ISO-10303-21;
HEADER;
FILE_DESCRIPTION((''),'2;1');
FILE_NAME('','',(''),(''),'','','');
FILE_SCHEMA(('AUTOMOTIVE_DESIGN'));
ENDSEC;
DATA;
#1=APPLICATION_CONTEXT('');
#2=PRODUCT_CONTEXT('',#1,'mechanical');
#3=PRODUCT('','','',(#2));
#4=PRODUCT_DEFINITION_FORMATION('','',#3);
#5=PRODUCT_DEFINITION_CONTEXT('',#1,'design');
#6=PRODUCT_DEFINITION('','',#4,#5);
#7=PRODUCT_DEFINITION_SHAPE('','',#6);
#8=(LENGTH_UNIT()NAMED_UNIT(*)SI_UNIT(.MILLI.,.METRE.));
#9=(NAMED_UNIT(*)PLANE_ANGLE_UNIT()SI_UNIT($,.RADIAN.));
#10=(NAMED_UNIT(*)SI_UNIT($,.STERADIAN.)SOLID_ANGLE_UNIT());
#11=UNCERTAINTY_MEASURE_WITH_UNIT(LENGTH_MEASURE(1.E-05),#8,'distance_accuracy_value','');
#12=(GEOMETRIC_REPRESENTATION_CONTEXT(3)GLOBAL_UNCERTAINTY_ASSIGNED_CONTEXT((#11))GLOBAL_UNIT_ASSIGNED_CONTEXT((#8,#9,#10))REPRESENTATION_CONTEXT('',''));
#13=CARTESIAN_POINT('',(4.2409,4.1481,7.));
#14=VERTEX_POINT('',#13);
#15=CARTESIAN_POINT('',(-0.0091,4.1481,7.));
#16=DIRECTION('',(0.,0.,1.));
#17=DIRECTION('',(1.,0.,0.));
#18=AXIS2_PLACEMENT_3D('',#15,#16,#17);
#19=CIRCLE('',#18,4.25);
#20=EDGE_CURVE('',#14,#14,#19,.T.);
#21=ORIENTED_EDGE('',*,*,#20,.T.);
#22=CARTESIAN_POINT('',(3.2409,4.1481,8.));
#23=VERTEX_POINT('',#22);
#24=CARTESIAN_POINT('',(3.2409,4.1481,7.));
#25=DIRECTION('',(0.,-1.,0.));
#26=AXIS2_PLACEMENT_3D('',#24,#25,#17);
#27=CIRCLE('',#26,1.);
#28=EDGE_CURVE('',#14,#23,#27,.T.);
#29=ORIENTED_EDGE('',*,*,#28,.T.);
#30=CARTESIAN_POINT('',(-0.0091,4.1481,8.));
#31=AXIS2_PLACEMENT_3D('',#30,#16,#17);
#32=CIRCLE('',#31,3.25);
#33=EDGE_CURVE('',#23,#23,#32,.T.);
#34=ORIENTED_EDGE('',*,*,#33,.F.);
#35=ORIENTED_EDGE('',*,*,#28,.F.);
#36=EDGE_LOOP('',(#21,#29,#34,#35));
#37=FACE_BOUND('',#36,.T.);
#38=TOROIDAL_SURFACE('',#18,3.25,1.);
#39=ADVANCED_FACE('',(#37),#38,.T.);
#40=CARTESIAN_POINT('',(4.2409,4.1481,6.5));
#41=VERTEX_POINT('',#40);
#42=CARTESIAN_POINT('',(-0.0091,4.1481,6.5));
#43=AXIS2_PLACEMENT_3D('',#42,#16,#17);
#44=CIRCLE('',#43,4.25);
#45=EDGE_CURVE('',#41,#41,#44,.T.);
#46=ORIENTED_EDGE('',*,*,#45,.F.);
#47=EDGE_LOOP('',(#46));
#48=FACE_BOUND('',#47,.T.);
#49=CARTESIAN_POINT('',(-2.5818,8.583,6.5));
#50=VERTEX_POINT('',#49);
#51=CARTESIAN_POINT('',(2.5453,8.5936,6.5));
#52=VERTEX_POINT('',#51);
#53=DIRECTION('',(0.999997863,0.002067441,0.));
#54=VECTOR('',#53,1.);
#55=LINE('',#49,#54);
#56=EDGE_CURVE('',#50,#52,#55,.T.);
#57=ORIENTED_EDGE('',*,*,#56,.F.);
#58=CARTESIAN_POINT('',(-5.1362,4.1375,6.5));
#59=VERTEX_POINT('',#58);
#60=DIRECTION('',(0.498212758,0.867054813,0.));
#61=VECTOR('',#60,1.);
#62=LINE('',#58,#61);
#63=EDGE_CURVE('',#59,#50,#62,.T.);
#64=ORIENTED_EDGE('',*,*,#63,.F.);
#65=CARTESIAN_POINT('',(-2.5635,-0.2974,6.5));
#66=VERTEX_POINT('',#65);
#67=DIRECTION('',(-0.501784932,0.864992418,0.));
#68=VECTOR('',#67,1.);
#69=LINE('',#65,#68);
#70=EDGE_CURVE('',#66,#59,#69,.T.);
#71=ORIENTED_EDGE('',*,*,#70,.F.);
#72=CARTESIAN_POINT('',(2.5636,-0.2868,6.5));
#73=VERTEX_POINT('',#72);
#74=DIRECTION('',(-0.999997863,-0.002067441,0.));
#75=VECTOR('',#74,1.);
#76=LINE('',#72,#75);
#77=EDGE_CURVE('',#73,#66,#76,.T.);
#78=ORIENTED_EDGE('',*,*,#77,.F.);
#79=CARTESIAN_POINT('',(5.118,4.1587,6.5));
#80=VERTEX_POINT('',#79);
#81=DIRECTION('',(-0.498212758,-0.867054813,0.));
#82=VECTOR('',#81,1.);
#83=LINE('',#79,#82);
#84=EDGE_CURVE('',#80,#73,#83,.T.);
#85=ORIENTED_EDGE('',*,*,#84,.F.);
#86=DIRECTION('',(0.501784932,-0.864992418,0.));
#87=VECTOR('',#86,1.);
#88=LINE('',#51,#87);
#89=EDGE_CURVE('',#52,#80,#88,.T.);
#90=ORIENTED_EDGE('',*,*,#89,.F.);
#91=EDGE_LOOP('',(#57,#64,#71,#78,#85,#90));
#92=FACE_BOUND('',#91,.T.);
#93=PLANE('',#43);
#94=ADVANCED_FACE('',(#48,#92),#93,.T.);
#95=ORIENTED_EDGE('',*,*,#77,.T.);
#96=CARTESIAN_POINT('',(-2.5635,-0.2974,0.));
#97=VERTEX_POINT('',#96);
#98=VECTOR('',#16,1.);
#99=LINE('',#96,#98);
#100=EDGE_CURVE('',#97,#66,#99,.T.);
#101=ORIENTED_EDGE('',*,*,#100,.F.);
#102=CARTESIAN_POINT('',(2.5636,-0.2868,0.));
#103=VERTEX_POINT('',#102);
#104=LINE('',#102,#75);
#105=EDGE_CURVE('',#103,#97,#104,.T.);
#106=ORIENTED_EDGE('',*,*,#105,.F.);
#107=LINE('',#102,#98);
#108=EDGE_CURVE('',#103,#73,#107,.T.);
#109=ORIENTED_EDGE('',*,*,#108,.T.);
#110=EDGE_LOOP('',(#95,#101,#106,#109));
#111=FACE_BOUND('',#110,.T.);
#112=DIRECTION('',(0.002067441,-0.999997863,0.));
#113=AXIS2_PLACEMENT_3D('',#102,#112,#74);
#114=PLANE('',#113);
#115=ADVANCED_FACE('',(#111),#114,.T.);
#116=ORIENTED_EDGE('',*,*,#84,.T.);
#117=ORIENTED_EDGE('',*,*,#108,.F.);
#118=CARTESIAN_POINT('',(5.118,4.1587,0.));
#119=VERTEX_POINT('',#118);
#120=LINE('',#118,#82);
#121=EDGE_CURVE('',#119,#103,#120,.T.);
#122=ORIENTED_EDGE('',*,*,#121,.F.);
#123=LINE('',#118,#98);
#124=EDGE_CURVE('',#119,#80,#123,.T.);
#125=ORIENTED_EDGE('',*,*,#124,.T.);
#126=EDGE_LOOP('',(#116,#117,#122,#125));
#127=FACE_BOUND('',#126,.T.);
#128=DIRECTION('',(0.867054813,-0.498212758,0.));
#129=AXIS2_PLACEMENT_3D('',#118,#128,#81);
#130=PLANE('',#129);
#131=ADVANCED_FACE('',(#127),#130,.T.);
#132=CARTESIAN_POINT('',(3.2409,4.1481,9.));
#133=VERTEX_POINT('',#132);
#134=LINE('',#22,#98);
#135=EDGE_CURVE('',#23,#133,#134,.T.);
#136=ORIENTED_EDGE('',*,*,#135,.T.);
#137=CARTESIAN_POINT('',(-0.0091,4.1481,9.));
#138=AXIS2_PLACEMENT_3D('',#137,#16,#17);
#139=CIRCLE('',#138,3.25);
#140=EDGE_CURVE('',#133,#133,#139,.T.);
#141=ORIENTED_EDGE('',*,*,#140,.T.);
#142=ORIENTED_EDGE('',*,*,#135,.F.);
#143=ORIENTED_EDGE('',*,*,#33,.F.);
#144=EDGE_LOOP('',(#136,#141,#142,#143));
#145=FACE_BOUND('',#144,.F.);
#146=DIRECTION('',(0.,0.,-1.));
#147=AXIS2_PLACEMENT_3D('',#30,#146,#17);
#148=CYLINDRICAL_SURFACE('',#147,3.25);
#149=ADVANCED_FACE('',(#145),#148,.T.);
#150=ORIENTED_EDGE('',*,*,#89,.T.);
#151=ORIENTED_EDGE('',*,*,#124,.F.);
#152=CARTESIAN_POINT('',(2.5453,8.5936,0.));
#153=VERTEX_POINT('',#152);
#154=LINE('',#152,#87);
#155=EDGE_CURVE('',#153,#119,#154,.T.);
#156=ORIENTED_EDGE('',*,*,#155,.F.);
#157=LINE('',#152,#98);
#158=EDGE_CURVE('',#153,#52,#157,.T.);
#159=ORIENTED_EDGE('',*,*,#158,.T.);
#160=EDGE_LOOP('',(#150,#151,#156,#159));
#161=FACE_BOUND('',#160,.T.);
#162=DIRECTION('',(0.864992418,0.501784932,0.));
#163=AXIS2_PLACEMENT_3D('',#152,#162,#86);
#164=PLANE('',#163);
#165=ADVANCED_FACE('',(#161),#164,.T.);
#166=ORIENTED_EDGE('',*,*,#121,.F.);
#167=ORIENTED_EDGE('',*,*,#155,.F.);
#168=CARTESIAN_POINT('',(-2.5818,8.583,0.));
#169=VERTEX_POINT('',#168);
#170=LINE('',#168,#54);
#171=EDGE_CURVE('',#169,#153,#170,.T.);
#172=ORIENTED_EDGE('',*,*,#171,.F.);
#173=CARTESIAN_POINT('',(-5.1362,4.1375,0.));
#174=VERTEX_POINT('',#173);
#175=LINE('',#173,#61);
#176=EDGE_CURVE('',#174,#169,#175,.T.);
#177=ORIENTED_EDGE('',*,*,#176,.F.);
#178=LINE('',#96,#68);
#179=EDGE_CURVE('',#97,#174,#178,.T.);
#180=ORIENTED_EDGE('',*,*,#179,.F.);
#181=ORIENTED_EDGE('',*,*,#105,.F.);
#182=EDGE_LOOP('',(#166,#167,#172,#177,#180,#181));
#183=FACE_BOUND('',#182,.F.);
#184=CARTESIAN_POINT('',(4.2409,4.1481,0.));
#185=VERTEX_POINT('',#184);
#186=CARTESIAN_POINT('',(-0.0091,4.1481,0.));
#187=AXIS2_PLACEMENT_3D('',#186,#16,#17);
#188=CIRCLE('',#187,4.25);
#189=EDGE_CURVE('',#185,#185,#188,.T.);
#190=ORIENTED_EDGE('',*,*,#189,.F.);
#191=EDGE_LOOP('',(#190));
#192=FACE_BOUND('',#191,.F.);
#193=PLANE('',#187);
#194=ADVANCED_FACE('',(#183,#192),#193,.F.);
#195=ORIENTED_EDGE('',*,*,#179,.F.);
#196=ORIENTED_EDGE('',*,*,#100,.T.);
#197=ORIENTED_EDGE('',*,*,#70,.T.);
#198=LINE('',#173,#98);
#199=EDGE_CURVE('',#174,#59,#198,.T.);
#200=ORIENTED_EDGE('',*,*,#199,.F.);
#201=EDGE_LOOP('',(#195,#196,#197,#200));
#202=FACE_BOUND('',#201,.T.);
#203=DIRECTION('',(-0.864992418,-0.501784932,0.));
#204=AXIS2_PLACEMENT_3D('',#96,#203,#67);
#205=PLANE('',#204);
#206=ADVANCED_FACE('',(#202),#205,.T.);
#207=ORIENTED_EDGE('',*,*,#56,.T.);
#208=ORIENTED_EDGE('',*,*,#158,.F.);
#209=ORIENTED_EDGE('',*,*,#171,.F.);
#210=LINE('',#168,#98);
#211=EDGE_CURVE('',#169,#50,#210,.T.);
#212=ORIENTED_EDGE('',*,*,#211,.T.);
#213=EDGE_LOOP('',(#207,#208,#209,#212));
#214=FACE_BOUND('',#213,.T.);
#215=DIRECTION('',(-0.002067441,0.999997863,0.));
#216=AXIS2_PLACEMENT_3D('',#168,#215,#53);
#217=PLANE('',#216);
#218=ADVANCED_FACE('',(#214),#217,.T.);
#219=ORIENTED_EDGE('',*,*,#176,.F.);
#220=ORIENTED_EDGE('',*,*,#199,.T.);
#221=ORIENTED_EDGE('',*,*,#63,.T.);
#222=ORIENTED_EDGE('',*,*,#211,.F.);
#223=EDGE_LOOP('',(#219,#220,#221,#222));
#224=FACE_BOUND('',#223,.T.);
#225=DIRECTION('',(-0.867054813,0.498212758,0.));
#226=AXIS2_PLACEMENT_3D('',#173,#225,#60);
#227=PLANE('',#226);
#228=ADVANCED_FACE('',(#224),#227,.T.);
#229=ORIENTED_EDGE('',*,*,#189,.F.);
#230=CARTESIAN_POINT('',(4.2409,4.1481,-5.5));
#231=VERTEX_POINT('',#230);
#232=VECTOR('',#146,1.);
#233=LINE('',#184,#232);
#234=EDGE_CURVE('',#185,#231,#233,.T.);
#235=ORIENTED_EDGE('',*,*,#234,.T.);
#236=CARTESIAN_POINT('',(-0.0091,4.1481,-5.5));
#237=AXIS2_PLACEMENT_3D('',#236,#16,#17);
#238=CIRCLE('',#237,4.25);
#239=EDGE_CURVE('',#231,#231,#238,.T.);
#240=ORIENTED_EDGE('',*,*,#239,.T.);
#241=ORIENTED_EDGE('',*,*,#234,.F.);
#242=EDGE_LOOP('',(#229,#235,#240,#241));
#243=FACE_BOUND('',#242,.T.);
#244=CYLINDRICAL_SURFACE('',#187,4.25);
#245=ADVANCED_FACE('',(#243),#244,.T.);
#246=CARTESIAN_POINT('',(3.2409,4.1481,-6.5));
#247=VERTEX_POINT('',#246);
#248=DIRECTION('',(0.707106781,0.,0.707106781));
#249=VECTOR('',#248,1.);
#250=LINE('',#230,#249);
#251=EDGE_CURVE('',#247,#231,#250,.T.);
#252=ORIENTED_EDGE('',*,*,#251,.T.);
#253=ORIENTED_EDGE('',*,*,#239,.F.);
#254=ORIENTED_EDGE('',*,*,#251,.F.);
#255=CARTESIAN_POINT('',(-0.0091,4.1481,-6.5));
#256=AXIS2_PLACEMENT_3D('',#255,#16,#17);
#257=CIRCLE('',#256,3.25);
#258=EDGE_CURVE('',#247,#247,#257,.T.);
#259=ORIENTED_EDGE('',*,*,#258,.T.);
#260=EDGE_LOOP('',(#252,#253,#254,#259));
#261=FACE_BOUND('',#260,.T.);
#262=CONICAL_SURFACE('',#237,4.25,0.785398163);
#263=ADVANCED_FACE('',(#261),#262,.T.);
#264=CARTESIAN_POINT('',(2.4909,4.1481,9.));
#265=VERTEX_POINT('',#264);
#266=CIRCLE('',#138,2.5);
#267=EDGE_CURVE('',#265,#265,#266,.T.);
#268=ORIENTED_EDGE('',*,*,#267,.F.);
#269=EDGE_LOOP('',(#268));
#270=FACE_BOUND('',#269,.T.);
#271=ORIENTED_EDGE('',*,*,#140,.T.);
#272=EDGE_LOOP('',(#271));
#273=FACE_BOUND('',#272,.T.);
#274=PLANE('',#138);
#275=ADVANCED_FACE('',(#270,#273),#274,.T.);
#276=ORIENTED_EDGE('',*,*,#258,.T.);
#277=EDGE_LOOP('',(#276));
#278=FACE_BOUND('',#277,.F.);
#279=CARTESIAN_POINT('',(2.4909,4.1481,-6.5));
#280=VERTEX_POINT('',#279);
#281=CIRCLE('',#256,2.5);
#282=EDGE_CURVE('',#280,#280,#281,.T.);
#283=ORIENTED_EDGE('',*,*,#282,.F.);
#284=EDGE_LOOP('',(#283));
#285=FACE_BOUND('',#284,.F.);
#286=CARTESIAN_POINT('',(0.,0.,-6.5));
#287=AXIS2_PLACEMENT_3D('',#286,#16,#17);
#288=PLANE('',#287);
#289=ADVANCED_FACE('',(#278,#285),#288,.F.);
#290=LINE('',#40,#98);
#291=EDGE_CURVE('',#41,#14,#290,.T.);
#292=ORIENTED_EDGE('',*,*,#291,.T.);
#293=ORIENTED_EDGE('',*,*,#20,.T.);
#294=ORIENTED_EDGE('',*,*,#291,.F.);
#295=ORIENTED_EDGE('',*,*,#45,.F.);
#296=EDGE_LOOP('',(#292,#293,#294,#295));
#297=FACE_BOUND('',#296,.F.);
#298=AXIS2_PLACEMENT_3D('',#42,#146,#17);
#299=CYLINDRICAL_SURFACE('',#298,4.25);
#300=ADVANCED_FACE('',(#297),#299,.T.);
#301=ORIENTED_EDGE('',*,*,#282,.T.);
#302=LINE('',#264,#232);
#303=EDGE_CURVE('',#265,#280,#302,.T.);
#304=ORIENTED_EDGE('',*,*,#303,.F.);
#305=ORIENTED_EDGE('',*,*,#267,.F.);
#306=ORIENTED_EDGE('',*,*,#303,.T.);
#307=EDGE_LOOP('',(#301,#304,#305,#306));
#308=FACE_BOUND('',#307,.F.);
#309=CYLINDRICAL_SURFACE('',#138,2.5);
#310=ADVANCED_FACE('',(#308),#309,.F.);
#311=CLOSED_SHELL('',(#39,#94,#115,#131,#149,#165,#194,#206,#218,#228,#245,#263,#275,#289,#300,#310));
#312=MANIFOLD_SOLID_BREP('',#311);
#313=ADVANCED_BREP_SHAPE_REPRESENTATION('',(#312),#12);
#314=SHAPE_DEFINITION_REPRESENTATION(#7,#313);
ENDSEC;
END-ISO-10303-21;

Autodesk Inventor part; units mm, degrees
ref_plane "YZ Plane" through (0, 0, 0) normal (1, 0, 0) x (0, 1, 0)
ref_plane "XZ Plane" through (0, 0, 0) normal (0, 1, 0) x (-1, 0, 0)
ref_plane "XY Plane" through (0, 0, 0) normal (0, 0, 1) x (1, 0, 0)
sketch "Sketch1" plane through (0, 0, 0) normal (0, 0, 1) x (1, 0, 0)
  circle A0 centre (-0.0091, 4.1481) radius 4.25 projected
  point P0 (0, 0)
extrude "Extrusion1" add sketch "Sketch1" against normal blind 6.5
thread "Thread1" size "M9x1.25" class "6g" standard "ANSI Metric M Profile" full length
sketch "Sketch2" plane through (-0.0091, 4.1481, 0) normal (0, 0, 1) x (1, 0, 0)
  line L0 (2.5727, -4.4349) -> (-2.5544, -4.4455)
  line L1 (-2.5544, -4.4455) -> (-5.1271, -0.0106)
  line L2 (-5.1271, -0.0106) -> (-2.5727, 4.4349)
  line L3 (-2.5727, 4.4349) -> (2.5544, 4.4455)
  line L4 (2.5544, 4.4455) -> (5.1271, 0.0106)
  line L5 (5.1271, 0.0106) -> (2.5727, -4.4349)
  point P0 (0.0091, -4.1481)
  point P1 (0, 0)
extrude "Extrusion2" add sketch "Sketch2" along normal blind 6.5
sketch "Sketch3" plane through (-0.0091, 4.1481, 6.5) normal (0, 0, 1) x (1, 0, 0)
  circle A0 centre (0, 0) radius 4.25
  point P0 (0.0091, -4.1481)
extrude "Extrusion3" add sketch "Sketch3" along normal blind 1.5
fillet "Fillet1" radius 1 1 edges at (-4.2591, 4.1481, 8)
sketch "Sketch4" plane through (-0.0091, 4.1481, 8) normal (0, 0, 1) x (1, 0, 0)
  circle A0 centre (0, 0) radius 3.25
  point P0 (0.0091, -4.1481)
extrude "Extrusion4" add sketch "Sketch4" along normal blind 1
sketch "Sketch5" plane through (-0.0091, 4.1481, 9) normal (0, 0, 1) x (1, 0, 0)
  point P0 (0.0091, -4.1481)
sketch "Sketch6" plane through (-0.0091, 4.1481, 9) normal (0, 0, 1) x (1, 0, 0)
  circle A0 centre (0, 0) radius 3.25 projected
  circle A1 centre (0, 0) radius 2.5
  point P0 (0.0091, -4.1481)
  dimension "d11" = 5
extrude "Extrusion5" cut sketch "Sketch6" against normal through all contours A1
chamfer "Chamfer1" distance 1 angle 45 1 edges at (-4.2591, 4.1481, -6.5)
properties part number "Pushfit-Adapter"
